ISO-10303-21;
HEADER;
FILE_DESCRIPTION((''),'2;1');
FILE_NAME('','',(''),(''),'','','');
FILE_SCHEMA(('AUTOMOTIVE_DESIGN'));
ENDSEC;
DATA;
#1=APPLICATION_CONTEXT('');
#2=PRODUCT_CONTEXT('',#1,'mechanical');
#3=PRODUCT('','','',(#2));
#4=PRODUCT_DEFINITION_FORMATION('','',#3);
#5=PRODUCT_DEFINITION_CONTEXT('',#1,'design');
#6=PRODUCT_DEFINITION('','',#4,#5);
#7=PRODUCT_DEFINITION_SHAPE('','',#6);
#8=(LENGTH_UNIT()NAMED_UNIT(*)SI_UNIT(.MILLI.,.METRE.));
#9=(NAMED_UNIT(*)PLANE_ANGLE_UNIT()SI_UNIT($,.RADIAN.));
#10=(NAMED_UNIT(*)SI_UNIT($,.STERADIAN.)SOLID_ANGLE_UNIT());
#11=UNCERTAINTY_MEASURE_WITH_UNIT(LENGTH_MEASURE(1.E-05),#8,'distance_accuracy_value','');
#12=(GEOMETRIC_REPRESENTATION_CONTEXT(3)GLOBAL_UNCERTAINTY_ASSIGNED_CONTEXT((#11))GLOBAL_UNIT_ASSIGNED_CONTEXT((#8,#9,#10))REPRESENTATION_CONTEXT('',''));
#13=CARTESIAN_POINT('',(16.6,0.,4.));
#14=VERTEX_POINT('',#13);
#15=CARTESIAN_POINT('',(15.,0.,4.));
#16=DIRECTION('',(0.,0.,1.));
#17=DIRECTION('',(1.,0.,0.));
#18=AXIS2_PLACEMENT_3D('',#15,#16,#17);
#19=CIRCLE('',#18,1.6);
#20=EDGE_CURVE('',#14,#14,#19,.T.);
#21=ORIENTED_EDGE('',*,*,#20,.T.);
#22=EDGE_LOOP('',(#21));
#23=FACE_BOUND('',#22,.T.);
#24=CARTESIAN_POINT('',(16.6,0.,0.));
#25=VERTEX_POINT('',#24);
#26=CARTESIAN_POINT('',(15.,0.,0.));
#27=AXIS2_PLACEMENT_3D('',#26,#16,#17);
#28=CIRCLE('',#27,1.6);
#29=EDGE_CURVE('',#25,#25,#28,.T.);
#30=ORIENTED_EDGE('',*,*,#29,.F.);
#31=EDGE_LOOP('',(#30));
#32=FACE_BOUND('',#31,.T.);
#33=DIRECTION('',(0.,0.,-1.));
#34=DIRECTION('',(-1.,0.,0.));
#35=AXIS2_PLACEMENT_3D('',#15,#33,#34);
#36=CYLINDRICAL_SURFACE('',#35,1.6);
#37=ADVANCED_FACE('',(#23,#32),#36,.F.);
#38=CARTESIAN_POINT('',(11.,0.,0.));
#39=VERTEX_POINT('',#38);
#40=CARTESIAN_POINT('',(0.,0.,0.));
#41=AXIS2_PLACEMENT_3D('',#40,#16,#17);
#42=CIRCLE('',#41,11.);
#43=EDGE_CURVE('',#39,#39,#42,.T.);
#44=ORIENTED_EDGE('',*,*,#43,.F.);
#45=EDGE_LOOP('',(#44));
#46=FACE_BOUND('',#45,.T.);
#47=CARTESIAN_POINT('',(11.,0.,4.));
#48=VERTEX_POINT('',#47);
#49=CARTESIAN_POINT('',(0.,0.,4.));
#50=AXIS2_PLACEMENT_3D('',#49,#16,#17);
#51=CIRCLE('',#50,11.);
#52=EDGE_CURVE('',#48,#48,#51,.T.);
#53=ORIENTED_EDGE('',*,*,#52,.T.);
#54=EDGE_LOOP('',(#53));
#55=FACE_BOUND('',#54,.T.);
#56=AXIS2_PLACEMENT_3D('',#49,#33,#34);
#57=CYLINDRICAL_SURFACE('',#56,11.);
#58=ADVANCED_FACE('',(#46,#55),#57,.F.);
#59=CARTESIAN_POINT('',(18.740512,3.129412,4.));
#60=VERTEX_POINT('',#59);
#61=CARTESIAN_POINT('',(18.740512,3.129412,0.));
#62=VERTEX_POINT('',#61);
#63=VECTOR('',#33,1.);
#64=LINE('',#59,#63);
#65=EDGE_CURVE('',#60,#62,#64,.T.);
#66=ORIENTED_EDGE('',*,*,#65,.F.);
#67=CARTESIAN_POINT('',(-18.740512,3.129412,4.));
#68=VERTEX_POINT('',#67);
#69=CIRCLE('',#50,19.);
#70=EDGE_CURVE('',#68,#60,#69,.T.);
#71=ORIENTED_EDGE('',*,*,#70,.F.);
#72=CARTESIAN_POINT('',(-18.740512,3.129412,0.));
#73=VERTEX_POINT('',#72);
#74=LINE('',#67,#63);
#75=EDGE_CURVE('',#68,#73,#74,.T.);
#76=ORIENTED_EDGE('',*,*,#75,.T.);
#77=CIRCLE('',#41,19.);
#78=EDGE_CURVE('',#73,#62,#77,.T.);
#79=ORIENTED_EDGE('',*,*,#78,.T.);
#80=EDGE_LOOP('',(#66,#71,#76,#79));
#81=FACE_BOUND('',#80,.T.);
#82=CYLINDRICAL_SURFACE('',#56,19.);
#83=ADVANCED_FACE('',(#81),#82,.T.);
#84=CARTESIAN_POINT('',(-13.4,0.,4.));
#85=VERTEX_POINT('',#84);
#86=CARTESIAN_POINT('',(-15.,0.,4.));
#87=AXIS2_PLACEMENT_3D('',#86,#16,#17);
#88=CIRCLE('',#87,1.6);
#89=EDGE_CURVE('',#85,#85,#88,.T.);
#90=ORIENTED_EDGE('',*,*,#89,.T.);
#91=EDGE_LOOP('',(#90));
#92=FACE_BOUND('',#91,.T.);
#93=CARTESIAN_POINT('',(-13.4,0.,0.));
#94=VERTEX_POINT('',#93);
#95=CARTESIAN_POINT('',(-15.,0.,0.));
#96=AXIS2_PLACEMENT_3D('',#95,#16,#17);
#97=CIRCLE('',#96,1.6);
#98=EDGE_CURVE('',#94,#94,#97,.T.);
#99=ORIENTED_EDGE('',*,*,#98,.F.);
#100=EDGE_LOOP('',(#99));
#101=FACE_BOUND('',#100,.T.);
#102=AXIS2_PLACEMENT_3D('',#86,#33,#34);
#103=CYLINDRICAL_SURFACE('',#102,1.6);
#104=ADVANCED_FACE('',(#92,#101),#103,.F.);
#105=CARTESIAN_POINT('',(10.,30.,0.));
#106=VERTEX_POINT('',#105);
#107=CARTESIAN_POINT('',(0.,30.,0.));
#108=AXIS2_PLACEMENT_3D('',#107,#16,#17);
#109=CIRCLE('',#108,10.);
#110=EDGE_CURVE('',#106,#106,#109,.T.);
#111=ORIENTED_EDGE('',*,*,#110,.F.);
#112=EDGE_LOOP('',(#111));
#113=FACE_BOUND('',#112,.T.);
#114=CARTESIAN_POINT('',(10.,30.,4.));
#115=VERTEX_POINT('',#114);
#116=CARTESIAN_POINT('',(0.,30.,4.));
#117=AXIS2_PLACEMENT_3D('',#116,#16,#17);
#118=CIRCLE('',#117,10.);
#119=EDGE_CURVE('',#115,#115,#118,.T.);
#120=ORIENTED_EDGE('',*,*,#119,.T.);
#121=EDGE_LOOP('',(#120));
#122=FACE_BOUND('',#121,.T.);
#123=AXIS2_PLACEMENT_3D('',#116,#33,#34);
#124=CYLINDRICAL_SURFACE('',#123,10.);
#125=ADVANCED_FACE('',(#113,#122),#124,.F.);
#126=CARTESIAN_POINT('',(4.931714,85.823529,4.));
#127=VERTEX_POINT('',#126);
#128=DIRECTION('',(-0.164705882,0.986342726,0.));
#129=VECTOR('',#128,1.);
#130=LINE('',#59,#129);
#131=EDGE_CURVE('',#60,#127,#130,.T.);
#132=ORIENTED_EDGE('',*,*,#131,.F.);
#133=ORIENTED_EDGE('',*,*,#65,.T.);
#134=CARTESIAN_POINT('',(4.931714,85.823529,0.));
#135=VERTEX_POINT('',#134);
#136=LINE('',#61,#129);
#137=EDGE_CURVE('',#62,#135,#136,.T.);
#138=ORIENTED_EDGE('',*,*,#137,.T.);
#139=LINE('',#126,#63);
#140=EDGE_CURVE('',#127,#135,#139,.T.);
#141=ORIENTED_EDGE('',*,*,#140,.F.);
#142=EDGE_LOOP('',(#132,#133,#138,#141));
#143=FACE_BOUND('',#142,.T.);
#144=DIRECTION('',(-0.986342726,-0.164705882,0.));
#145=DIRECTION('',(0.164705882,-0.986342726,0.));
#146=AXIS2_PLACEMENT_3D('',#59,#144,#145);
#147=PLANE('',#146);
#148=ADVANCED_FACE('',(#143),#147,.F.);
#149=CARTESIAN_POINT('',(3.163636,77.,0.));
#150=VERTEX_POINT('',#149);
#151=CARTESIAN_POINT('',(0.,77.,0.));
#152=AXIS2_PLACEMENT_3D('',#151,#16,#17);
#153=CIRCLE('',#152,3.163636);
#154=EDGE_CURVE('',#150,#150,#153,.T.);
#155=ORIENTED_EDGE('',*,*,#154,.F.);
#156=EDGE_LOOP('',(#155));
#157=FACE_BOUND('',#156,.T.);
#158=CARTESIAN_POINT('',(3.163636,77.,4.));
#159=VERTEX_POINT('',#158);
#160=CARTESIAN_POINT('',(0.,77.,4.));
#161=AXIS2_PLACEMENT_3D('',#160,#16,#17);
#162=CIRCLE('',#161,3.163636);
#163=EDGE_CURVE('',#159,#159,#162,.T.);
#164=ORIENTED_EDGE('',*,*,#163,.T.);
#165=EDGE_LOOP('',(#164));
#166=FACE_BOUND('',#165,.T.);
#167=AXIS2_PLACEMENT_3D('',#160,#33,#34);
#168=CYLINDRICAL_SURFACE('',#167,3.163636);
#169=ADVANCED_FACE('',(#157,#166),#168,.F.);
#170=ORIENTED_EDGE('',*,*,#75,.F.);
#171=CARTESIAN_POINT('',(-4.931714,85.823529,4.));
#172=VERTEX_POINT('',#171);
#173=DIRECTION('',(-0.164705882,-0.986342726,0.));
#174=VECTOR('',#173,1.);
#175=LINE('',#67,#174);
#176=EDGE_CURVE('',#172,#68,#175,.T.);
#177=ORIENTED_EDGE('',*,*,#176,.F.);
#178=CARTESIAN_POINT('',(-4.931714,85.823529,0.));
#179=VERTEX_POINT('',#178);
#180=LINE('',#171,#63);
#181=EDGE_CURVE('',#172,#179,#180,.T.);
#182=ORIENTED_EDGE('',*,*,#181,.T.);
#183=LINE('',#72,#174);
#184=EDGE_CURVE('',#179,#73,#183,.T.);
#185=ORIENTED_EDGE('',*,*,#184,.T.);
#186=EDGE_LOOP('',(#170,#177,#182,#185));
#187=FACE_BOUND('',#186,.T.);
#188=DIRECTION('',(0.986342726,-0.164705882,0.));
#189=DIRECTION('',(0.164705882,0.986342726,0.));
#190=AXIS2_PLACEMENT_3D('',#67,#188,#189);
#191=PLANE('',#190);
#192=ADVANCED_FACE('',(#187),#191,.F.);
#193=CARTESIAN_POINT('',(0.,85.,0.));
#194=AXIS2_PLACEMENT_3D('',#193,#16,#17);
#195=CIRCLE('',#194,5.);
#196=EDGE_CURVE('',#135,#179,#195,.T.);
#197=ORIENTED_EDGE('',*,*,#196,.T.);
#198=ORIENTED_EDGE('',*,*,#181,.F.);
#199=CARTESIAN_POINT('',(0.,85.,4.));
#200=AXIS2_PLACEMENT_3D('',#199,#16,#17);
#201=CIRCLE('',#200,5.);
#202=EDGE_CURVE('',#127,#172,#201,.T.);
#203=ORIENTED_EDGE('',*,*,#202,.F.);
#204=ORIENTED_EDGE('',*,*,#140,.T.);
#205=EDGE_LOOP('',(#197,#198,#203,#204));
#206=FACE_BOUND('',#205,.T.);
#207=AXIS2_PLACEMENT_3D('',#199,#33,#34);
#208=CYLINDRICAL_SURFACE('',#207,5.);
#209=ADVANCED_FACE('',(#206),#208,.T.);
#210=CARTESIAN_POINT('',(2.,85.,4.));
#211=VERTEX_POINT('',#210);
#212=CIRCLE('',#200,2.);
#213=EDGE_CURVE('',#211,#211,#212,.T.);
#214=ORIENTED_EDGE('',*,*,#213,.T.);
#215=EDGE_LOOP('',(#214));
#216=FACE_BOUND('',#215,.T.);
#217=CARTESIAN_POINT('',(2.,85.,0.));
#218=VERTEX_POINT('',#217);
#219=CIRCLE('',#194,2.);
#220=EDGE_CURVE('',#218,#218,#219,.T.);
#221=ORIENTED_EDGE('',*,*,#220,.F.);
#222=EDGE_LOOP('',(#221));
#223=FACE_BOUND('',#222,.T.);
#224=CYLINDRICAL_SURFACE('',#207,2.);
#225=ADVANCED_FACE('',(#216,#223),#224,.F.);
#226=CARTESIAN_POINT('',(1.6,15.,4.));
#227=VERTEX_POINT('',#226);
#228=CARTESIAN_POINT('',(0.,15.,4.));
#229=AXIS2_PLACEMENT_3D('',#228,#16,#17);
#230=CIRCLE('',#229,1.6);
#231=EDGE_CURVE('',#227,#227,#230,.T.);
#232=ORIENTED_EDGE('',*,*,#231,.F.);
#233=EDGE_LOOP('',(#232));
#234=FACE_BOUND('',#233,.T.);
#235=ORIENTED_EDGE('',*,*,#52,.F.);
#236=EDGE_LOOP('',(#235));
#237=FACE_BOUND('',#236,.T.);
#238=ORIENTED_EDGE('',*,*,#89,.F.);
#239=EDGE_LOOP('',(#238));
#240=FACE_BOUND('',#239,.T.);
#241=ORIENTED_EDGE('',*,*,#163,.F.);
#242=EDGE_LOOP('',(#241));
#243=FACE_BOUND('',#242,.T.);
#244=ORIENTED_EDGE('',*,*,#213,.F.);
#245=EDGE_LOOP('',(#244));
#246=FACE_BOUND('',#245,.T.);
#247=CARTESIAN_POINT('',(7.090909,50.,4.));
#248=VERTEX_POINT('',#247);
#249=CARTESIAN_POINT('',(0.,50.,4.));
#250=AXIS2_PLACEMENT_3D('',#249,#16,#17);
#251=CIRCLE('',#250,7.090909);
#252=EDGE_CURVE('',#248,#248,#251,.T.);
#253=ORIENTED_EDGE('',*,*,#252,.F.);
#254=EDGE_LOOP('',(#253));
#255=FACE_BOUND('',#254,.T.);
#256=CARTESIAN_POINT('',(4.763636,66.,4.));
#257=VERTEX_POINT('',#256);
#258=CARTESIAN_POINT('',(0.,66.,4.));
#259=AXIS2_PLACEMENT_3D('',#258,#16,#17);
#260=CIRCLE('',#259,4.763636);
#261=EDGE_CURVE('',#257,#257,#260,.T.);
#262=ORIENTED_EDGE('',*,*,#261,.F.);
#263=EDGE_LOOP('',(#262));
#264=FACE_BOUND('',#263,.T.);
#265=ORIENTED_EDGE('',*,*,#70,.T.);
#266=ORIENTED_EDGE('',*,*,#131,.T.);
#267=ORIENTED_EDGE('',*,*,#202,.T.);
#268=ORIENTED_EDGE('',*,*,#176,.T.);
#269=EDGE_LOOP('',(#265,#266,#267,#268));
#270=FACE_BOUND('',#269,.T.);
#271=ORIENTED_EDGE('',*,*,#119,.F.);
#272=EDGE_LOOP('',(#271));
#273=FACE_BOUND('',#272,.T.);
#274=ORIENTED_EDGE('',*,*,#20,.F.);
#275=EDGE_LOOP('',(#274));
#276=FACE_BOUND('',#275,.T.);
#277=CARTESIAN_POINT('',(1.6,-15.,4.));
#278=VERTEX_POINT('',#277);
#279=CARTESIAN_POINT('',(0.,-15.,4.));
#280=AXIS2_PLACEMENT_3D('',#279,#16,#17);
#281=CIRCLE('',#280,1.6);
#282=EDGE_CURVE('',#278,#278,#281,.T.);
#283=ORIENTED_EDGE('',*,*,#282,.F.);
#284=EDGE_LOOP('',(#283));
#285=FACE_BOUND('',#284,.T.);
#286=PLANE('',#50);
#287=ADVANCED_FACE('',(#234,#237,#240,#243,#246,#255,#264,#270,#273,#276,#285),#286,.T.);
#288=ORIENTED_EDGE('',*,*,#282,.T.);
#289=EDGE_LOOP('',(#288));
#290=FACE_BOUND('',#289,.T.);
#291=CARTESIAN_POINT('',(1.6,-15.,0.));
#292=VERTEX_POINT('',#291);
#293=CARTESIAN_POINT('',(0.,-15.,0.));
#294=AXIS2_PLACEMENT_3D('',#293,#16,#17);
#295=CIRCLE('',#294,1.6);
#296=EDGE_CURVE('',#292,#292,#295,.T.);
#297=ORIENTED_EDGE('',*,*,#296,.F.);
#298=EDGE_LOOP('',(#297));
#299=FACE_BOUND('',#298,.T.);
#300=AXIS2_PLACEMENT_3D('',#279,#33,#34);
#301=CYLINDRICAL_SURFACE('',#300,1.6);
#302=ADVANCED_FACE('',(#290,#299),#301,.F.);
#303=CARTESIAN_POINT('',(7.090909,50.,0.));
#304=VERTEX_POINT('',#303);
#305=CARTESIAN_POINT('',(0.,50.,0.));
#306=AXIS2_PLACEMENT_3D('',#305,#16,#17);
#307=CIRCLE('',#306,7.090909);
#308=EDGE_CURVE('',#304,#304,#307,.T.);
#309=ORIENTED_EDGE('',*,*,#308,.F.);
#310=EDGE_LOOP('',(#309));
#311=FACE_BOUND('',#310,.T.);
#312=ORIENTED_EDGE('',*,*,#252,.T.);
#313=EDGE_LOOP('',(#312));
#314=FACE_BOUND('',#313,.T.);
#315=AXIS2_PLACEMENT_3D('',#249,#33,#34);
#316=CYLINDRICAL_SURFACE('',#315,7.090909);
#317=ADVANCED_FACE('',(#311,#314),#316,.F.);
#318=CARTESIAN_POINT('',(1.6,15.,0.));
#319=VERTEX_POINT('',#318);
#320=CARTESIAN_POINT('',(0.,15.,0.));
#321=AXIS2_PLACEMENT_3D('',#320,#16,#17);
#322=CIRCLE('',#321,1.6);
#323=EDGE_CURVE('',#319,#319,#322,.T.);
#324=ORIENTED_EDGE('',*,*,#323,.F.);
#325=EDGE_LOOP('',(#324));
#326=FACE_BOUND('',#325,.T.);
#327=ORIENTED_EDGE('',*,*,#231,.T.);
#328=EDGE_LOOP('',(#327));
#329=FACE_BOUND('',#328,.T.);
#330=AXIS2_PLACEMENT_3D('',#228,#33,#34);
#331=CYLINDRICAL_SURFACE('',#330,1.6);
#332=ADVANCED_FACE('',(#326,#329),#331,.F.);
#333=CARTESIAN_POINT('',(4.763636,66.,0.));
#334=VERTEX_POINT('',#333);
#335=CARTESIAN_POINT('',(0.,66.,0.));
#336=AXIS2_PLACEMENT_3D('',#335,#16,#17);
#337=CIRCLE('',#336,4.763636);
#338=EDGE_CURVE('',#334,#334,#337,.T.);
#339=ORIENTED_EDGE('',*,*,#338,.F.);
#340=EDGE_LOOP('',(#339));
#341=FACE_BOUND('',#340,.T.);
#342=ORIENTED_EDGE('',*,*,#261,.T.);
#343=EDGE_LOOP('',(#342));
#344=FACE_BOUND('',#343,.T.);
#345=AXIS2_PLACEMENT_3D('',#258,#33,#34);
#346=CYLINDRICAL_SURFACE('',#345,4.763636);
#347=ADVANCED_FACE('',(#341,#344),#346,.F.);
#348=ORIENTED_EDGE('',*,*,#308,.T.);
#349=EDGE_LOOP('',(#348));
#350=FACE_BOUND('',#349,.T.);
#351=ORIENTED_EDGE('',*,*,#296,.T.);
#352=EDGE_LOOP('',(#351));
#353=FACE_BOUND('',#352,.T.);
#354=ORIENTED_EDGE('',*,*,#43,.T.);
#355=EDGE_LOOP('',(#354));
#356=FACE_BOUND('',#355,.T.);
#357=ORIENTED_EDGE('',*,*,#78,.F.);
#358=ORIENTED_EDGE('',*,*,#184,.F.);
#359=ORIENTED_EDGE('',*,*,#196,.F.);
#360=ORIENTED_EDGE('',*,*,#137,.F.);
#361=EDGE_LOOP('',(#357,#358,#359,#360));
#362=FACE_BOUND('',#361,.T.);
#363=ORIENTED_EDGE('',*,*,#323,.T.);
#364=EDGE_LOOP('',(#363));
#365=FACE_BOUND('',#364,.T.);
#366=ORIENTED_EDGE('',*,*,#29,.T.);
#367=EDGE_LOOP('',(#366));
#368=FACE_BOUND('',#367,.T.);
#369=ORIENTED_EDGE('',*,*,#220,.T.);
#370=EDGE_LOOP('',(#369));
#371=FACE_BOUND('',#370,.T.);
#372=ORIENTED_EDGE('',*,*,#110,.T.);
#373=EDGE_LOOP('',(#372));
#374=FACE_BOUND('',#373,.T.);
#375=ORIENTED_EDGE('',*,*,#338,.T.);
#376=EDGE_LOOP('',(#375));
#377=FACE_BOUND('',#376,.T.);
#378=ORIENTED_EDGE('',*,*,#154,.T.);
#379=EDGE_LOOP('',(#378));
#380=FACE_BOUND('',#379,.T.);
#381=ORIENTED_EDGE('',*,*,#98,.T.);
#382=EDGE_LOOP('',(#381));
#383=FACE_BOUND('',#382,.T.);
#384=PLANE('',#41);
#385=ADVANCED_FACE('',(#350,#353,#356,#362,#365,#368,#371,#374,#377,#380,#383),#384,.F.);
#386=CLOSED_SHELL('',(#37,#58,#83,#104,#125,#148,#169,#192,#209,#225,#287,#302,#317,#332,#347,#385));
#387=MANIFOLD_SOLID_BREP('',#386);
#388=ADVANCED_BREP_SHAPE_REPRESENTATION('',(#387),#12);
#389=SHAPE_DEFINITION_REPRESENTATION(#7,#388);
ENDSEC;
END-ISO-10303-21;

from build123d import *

# Parameters (mm, degrees)
ESQUISSE1_R        = 1.6
ESQUISSE1_R_2      = 11
ESQUISSE1_R_3      = 2
ESQUISSE1_R_4      = 3.163636364
ESQUISSE1_R_5      = 10
ESQUISSE1_R_6      = 7.090909091
ESQUISSE1_R_7      = 4.763636364
BOSS_EXTRU_1_DEPTH = 4


with BuildPart() as part:
    # Esquisse1 → Boss.-Extru.1 (new body)
    with BuildSketch(Plane.XY):
        with BuildLine():
            Line((-18.740511786, 3.129411765), (-4.931713628, 85.823529412))
            ThreePointArc((-4.931713628, 85.823529412), (0, 90), (4.931713628, 85.823529412))
            Line((4.931713628, 85.823529412), (18.740511786, 3.129411765))
            ThreePointArc((18.740511786, 3.129411765), (0, -19), (-18.740511786, 3.129411765))
        make_face()
        with Locations((0, 15)):
            Circle(ESQUISSE1_R, mode=Mode.SUBTRACT)
        with Locations((15, 0)):
            Circle(ESQUISSE1_R, mode=Mode.SUBTRACT)
        with Locations((0, -15)):
            Circle(ESQUISSE1_R, mode=Mode.SUBTRACT)
        with Locations((-15, 0)):
            Circle(ESQUISSE1_R, mode=Mode.SUBTRACT)
        Circle(ESQUISSE1_R_2, mode=Mode.SUBTRACT)
        with Locations((0, 85)):
            Circle(ESQUISSE1_R_3, mode=Mode.SUBTRACT)
        with Locations((0, 77)):
            Circle(ESQUISSE1_R_4, mode=Mode.SUBTRACT)
        with Locations((0, 30)):
            Circle(ESQUISSE1_R_5, mode=Mode.SUBTRACT)
        with Locations((0, 50)):
            Circle(ESQUISSE1_R_6, mode=Mode.SUBTRACT)
        with Locations((0, 66)):
            Circle(ESQUISSE1_R_7, mode=Mode.SUBTRACT)
    extrude(amount=BOSS_EXTRU_1_DEPTH)


solid = part.part
